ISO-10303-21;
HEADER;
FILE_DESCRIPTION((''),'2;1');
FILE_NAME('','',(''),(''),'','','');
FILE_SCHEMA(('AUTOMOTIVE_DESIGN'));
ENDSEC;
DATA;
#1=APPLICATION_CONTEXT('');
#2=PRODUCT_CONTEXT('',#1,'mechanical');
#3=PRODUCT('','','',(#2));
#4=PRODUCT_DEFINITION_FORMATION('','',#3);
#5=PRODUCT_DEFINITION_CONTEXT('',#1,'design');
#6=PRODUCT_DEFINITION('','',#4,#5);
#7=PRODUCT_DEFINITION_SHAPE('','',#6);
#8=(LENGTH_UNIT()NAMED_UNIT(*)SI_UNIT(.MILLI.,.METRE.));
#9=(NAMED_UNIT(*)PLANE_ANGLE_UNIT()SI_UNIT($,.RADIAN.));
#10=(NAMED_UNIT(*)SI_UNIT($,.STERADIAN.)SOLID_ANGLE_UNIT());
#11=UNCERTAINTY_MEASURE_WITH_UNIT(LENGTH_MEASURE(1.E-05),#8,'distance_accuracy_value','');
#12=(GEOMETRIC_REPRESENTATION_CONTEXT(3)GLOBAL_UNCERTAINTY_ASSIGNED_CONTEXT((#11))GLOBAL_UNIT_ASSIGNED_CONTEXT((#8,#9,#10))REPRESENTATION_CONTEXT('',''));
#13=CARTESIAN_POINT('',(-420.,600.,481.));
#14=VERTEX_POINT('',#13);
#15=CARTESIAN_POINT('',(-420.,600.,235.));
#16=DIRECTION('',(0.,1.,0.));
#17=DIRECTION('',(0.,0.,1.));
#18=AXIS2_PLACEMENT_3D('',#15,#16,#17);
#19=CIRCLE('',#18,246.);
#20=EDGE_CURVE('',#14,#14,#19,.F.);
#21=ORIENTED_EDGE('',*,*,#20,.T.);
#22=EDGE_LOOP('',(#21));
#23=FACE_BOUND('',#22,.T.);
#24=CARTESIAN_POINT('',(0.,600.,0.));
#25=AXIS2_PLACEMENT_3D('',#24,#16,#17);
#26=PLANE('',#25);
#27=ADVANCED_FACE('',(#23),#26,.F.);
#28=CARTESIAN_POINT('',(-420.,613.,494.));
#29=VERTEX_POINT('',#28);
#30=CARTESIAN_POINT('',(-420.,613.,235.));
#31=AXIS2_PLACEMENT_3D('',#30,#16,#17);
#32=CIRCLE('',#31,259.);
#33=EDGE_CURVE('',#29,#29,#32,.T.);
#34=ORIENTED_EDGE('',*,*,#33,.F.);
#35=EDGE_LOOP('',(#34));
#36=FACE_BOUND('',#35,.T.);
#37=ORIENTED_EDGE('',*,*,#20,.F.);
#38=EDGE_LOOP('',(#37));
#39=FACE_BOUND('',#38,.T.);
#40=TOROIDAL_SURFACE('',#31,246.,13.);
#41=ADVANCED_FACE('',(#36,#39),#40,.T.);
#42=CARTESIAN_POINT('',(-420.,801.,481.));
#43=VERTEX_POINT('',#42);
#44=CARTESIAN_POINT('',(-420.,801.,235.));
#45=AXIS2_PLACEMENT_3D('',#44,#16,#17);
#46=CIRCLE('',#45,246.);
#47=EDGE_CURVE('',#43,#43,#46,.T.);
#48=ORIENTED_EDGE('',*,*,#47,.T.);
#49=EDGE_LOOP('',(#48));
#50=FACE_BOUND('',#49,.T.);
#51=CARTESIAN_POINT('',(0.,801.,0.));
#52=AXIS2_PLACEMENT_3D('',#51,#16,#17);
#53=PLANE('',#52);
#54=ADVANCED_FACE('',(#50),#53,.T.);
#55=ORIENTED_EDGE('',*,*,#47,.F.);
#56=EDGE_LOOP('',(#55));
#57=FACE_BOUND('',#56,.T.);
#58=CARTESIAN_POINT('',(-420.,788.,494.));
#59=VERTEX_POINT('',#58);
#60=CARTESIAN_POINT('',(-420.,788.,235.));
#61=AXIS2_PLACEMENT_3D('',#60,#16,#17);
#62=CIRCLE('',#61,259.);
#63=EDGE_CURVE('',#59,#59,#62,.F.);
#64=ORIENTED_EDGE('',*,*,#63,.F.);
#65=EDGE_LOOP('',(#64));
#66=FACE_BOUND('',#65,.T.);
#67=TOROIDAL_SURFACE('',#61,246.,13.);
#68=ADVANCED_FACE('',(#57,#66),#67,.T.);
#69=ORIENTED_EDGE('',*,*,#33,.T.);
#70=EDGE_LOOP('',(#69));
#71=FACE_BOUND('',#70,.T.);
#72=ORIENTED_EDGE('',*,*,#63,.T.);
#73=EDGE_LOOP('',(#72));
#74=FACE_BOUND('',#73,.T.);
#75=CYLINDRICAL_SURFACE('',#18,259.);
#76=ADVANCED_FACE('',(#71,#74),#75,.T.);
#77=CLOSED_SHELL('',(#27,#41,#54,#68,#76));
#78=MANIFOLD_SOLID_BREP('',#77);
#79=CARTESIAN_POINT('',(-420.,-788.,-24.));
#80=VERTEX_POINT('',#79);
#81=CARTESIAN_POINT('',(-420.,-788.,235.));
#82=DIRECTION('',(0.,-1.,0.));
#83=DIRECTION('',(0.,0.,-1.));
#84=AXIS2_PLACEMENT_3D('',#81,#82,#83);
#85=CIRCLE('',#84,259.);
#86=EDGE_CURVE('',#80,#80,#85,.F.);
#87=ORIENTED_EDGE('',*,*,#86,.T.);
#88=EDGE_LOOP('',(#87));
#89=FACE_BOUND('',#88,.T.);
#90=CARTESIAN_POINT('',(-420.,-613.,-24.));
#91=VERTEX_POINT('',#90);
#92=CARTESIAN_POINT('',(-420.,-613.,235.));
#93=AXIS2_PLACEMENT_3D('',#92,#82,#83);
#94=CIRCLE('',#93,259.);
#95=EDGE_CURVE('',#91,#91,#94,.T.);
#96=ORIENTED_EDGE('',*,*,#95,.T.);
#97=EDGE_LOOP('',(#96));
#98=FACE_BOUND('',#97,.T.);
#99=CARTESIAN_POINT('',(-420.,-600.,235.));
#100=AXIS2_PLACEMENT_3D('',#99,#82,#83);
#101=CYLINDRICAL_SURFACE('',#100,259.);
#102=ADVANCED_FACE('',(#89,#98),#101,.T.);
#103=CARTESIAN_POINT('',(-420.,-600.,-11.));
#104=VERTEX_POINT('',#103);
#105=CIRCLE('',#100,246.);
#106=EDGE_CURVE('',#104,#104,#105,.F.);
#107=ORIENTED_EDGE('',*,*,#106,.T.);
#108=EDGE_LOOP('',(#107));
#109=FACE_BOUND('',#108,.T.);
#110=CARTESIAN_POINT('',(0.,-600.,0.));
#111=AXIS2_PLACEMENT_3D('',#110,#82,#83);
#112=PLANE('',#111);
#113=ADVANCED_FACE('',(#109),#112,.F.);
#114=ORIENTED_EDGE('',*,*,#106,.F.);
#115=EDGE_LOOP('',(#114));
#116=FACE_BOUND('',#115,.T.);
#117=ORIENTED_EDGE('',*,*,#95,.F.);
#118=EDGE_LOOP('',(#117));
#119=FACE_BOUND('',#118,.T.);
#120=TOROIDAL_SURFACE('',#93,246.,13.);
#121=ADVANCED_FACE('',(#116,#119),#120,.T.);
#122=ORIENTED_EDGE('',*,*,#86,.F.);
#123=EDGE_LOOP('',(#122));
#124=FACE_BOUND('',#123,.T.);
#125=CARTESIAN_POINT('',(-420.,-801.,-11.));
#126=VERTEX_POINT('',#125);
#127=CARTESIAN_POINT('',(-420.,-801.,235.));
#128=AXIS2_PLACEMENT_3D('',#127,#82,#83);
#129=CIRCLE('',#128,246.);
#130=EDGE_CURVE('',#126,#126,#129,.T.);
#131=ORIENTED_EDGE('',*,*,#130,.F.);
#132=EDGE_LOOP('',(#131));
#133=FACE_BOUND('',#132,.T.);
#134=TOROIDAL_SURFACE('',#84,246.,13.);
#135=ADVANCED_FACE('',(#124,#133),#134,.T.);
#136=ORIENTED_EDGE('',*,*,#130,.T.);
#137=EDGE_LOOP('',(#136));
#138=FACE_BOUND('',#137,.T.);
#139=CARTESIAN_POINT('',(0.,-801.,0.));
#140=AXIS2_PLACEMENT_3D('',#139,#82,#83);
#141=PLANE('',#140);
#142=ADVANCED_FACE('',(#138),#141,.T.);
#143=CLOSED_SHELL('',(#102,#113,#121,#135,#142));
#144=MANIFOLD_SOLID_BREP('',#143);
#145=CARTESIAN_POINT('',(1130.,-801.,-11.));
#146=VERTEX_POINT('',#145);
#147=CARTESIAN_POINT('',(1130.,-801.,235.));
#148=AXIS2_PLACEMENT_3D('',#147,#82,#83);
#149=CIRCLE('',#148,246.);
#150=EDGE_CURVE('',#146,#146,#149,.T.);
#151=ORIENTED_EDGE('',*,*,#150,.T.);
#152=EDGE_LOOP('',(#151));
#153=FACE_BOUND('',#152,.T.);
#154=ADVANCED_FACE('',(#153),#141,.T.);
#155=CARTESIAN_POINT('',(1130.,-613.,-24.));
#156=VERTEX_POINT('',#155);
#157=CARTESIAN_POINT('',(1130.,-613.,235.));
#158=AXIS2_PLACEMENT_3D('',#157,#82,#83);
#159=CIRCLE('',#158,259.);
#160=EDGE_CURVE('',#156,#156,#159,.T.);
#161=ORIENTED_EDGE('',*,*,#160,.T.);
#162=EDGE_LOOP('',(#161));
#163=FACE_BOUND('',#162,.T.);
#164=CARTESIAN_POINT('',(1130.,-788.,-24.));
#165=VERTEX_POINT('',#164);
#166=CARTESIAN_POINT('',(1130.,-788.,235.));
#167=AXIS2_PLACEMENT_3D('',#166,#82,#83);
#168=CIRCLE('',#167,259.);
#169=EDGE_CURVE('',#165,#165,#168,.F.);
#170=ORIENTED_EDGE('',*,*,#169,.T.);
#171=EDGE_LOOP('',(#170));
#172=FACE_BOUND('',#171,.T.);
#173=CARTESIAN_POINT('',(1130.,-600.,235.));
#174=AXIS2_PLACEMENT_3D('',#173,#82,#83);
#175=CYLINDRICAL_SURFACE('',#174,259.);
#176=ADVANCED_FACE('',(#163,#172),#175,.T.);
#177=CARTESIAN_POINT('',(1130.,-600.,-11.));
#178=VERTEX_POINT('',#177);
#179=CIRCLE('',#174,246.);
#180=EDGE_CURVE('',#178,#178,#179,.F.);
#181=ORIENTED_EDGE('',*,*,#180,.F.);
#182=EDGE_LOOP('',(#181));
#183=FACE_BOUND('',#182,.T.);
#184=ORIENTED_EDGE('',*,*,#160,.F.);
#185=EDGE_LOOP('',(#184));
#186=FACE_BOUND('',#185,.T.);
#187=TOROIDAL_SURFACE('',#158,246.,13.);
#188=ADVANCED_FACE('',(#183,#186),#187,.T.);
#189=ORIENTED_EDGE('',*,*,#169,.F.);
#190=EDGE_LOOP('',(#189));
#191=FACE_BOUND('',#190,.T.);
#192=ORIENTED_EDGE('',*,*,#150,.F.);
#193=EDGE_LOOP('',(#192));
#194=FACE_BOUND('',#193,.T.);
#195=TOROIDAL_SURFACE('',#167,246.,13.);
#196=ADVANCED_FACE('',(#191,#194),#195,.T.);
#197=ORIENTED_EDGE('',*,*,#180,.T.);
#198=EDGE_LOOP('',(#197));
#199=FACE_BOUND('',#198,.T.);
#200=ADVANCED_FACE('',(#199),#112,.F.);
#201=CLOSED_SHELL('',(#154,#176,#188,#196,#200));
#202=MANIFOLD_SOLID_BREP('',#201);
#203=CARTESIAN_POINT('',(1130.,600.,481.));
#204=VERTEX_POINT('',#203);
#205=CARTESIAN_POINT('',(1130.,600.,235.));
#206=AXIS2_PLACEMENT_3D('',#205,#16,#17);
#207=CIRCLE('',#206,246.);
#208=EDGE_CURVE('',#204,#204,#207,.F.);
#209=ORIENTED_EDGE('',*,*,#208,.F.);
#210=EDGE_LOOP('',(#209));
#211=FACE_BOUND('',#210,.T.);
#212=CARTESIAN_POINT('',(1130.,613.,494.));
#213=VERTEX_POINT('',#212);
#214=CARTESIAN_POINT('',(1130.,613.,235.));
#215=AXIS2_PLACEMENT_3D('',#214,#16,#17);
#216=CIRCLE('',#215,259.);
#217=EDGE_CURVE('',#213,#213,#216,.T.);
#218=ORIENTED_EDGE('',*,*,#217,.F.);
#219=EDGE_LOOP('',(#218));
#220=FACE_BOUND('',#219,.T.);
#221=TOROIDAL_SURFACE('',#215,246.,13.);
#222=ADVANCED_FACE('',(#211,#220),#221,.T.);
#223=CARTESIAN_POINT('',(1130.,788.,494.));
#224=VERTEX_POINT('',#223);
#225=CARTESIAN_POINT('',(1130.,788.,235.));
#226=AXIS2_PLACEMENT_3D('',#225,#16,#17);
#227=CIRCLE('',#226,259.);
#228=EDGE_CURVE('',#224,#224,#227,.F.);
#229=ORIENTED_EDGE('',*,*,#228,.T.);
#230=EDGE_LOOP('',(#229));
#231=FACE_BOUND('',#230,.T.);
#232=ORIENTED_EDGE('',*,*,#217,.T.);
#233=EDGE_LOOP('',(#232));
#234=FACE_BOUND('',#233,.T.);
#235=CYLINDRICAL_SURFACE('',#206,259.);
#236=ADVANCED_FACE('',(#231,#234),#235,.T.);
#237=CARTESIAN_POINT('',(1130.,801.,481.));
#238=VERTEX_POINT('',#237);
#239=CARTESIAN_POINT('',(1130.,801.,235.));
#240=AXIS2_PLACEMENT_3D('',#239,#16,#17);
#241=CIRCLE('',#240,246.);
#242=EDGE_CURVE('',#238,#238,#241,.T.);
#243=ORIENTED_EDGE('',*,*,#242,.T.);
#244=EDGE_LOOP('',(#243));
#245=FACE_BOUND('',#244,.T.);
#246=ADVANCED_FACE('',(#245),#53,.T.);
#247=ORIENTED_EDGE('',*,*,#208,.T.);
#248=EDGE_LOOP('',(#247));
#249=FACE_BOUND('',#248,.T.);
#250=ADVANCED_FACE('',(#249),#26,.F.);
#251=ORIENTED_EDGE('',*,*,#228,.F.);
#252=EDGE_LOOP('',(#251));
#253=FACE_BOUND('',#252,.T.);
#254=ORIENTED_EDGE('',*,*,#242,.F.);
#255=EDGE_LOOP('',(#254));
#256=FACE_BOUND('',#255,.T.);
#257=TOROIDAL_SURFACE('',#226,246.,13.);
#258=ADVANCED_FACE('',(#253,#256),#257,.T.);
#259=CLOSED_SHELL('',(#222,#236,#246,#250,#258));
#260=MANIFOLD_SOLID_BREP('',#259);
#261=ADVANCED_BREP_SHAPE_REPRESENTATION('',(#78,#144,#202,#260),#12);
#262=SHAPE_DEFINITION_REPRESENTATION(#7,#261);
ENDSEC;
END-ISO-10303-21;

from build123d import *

# Parameters (mm, degrees)
F_3D_SKETCH_1_R      = 259
LEFT_WHEELS_DEPTH    = 201
LEFT_WHEELS_2_DEPTH  = 201
FILLET1_R            = 13
FILLET2_R            = 13
F_3DSKETCH3_R        = 259
RIGHT_WHEELS_DEPTH   = 201
RIGHT_WHEELS_2_DEPTH = 201
FILLET4_R            = 13
FILLET3_R            = 13


with BuildPart() as part:
    # 3D Sketch 1 → Left Wheels (new body)
    with BuildSketch(Plane(origin=(-420, -600, 235), x_dir=(1, 0, 0), z_dir=(0, -1, 0))):
        with Locations(Location((0, 0, 0), (0, 0, 90))):
            Circle(F_3D_SKETCH_1_R)
    extrude(amount=LEFT_WHEELS_DEPTH)

    # Fillet2
    fillet2_edges = [part.edges().sort_by_distance(p)[0] for p in [
        (-420, -801, -24),
        (-420, -600, -24),
    ]]
    fillet(fillet2_edges, radius=FILLET2_R)


with BuildPart() as body_2:
    # 3D Sketch 1 → Left Wheels 2 (new body)
    with BuildSketch(Plane(origin=(-420, -600, 235), x_dir=(1, 0, 0), z_dir=(0, -1, 0))):
        with Locations(Location((1550, 0, 0), (0, 0, 90))):
            Circle(F_3D_SKETCH_1_R)
    extrude(amount=LEFT_WHEELS_2_DEPTH)

    # Fillet1
    fillet1_edges = [body_2.edges().sort_by_distance(p)[0] for p in [
        (1130, -801, -24),
        (1130, -600, -24),
    ]]
    fillet(fillet1_edges, radius=FILLET1_R)


with BuildPart() as body_3:
    # 3DSketch3 → Right Wheels (new body)
    with BuildSketch(Plane(origin=(1130, 600, 235), x_dir=(-1, 0, 0), z_dir=(0, 1, 0))):
        with Locations(Location((0, 0, 0), (0, 0, 90))):
            Circle(F_3DSKETCH3_R)
    extrude(amount=RIGHT_WHEELS_DEPTH)

    # Fillet3
    fillet3_edges = [body_3.edges().sort_by_distance(p)[0] for p in [
        (1130, 801, -24),
        (1130, 600, -24),
    ]]
    fillet(fillet3_edges, radius=FILLET3_R)


with BuildPart() as body_4:
    # 3DSketch3 → Right Wheels 2 (new body)
    with BuildSketch(Plane(origin=(1130, 600, 235), x_dir=(-1, 0, 0), z_dir=(0, 1, 0))):
        with Locations(Location((1550, 0, 0), (0, 0, 90))):
            Circle(F_3DSKETCH3_R)
    extrude(amount=RIGHT_WHEELS_2_DEPTH)

    # Fillet4
    fillet4_edges = [body_4.edges().sort_by_distance(p)[0] for p in [
        (-420, 801, -24),
        (-420, 600, -24),
    ]]
    fillet(fillet4_edges, radius=FILLET4_R)


solid = Compound([part.part, body_2.part, body_3.part, body_4.part])
